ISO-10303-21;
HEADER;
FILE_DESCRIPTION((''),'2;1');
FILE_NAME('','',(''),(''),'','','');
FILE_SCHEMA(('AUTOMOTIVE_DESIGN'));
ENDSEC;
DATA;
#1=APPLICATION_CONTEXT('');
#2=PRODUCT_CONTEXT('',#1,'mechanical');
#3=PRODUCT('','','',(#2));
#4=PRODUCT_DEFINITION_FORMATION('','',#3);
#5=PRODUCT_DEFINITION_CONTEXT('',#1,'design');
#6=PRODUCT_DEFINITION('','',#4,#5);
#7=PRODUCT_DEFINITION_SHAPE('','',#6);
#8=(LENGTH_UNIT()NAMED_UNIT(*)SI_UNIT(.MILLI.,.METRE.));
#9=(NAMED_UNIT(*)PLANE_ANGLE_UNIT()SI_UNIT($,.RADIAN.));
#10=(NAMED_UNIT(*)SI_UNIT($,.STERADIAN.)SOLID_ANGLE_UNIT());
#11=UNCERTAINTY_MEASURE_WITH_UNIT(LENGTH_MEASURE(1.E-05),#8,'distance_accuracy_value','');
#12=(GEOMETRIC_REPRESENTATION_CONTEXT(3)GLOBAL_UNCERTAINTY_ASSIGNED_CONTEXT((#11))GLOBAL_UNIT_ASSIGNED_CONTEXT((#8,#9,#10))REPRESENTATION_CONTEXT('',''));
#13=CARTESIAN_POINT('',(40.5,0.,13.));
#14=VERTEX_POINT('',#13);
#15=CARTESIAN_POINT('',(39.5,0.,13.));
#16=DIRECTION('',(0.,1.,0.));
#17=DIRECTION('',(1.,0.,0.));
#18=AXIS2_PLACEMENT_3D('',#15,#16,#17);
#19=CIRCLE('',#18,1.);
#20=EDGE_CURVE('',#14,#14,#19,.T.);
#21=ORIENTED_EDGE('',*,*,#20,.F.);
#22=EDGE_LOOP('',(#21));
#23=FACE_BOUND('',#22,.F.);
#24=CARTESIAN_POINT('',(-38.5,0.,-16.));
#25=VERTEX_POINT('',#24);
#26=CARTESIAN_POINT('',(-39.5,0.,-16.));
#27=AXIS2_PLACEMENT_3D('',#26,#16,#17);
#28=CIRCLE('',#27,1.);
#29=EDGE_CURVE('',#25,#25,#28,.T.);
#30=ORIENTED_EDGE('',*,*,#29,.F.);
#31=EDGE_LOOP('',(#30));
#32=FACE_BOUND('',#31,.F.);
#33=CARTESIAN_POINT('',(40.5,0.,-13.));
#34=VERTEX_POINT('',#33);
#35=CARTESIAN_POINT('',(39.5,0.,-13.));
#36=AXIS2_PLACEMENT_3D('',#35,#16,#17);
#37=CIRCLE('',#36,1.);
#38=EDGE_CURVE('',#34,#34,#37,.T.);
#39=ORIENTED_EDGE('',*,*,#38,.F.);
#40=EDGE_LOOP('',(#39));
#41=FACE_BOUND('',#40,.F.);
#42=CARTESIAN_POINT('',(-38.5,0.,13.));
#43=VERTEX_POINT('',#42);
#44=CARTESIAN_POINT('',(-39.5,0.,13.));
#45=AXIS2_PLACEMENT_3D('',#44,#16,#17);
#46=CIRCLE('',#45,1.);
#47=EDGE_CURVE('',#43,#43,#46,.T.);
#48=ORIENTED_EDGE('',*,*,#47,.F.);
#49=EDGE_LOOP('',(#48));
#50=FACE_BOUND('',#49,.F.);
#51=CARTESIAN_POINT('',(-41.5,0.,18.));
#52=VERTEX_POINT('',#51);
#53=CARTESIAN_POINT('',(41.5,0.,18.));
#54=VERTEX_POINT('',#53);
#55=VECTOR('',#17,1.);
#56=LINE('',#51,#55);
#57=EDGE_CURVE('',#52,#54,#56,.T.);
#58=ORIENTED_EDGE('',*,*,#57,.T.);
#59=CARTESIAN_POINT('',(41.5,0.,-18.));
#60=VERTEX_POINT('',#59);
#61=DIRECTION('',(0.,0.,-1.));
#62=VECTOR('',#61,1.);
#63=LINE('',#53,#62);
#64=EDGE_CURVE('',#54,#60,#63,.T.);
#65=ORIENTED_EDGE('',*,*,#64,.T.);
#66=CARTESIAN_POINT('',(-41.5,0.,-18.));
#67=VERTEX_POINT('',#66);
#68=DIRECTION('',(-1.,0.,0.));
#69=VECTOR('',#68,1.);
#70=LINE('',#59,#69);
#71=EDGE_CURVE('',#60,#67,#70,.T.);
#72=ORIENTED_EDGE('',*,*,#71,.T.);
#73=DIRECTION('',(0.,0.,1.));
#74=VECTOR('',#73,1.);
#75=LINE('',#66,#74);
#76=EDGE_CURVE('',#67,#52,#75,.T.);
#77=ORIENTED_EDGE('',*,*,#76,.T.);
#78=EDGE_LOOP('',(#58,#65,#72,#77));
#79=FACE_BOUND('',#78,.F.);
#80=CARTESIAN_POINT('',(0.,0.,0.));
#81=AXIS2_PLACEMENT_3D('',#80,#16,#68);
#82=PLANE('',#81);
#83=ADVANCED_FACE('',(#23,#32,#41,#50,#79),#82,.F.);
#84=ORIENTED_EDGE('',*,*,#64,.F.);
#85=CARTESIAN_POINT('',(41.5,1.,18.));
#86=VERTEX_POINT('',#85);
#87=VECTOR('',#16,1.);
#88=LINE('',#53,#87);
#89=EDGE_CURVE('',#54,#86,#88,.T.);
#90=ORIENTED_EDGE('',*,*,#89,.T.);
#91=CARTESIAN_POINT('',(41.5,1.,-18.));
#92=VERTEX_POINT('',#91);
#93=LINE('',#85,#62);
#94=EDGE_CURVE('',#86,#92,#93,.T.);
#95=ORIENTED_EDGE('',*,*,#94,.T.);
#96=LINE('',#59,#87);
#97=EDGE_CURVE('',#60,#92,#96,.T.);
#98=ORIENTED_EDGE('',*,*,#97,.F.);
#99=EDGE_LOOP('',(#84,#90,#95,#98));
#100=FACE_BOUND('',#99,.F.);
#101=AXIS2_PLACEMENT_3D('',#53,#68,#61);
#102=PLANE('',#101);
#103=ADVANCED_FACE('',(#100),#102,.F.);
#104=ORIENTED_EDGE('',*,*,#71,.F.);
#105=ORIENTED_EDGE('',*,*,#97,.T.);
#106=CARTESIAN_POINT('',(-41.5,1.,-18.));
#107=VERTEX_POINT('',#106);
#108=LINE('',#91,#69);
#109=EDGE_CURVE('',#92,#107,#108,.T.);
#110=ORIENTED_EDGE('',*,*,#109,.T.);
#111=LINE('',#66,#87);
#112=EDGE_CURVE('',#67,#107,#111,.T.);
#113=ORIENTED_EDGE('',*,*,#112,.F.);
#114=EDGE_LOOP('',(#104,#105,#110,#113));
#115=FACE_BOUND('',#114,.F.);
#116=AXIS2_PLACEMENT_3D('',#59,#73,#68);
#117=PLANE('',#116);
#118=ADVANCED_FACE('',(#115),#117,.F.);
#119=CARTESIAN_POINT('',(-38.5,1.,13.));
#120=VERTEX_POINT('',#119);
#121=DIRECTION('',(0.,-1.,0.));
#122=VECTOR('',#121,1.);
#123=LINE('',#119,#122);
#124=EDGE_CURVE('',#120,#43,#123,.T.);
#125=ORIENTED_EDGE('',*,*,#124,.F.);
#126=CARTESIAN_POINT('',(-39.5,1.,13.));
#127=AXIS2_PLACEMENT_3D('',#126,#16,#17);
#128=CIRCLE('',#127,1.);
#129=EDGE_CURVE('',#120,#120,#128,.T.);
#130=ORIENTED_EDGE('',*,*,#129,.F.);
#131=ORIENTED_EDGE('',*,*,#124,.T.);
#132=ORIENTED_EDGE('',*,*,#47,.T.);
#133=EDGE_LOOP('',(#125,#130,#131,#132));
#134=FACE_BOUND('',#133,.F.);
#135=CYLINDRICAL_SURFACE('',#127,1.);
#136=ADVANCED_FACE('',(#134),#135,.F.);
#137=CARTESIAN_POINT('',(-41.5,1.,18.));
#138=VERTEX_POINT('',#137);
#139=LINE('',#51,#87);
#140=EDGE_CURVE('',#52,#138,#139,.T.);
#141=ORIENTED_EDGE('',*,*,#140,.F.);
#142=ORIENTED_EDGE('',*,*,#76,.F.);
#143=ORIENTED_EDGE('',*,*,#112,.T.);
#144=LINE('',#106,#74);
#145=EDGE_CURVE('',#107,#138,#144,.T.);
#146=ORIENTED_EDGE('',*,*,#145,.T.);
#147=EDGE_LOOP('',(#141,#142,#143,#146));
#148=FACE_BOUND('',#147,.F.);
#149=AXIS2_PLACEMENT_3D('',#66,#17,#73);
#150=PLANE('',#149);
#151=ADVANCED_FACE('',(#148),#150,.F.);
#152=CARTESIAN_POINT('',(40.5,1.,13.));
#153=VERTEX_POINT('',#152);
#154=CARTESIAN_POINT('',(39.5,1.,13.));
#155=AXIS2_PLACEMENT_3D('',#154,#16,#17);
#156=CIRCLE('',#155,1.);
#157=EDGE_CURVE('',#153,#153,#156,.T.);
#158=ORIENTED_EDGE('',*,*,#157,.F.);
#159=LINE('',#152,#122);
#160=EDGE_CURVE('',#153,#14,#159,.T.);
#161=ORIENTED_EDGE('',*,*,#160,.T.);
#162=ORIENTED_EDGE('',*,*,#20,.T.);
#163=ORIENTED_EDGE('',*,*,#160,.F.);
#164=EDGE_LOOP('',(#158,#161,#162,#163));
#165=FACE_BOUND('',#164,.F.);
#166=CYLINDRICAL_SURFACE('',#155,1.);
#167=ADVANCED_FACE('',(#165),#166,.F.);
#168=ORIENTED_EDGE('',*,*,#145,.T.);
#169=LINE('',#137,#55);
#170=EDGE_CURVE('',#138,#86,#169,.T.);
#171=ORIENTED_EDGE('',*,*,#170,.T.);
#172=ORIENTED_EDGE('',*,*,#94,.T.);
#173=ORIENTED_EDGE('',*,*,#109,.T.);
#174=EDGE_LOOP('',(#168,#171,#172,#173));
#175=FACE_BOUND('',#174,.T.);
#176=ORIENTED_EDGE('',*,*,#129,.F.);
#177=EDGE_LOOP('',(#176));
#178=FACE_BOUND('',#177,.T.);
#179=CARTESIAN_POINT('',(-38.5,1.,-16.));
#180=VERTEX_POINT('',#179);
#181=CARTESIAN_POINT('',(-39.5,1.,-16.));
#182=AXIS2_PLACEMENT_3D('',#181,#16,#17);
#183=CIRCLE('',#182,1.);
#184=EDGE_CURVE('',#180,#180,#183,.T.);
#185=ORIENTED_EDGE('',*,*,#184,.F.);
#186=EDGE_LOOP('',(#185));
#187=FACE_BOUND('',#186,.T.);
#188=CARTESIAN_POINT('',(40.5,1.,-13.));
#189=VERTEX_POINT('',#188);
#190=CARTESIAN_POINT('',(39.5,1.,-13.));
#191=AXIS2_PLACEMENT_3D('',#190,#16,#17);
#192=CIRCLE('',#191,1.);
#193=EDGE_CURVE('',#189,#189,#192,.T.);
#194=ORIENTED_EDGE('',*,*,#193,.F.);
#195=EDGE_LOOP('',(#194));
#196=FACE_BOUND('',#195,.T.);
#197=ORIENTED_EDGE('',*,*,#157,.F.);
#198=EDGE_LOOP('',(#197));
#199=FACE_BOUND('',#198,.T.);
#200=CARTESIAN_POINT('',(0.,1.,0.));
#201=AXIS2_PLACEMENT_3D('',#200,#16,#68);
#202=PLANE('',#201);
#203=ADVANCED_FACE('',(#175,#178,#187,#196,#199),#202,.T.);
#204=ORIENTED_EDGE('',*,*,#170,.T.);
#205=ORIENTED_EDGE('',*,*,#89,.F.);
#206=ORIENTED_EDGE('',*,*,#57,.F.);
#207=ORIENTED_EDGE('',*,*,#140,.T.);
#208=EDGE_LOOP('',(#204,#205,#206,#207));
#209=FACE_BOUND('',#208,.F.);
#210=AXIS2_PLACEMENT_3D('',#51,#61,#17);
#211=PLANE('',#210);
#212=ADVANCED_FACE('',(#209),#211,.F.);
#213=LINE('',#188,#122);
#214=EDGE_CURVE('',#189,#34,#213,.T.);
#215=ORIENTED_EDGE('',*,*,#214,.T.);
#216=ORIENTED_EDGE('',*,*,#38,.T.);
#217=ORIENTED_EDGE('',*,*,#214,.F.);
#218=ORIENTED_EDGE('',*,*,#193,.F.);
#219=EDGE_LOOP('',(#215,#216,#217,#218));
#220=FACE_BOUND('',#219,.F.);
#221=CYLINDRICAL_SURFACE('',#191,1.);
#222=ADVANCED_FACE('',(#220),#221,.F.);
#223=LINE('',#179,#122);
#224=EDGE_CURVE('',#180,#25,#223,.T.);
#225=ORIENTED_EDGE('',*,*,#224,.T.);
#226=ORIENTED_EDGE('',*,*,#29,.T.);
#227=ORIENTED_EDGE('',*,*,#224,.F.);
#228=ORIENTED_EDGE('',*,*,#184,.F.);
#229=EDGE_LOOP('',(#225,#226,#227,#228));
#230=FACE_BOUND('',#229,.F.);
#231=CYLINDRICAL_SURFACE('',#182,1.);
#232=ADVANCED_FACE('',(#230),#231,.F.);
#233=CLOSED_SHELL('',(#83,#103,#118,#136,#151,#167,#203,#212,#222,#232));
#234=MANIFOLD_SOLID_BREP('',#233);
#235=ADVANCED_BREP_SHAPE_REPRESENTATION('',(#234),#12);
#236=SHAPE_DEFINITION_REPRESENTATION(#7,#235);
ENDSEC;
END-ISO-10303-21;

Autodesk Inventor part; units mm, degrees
ref_plane "YZ Plane" through (0, 0, 0) normal (1, 0, 0) x (0, 1, 0)
ref_plane "XZ Plane" through (0, 0, 0) normal (0, 1, 0) x (-1, 0, 0)
ref_plane "XY Plane" through (0, 0, 0) normal (0, 0, 1) x (1, 0, 0)
sketch "Boceto1" plane through (0, 0, 0) normal (0, 1, 0) x (-1, 0, 0)
  line L0 (41.5, 18) -> (-41.5, 18)
  line L1 (-41.5, 18) -> (-41.5, -18)
  line L2 (-41.5, -18) -> (41.5, -18)
  line L3 (41.5, -18) -> (41.5, 18)
  line L4 (41.5, 18) -> (-41.5, -18) construction
  line L5 (-41.5, 18) -> (41.5, -18) construction
  point P0 (0, 0)
  dimension "d0" = 83
  dimension "d1" = 36
extrude "Extrusión1" add sketch "Boceto1" along normal blind 1
sketch "Boceto2" plane through (0, 1, 0) normal (0, 1, 0) x (1, 0, 0)
  line L0 (41.5, 18) -> (-41.5, 18) projected
  line L1 (-41.5, 18) -> (-18.7131, 18) construction
  circle A0 centre (-39.5, 16) radius 1
  circle A1 centre (39.5, 13) radius 1
  circle A2 centre (-39.5, -13) radius 1
  circle A3 centre (39.5, -13) radius 1
  point P0 (0, 0)
  dimension "d5" = 2
  dimension "d6" = 2
extrude "Extrusión2" cut sketch "Boceto2" against normal through all
properties part number "PCB"
